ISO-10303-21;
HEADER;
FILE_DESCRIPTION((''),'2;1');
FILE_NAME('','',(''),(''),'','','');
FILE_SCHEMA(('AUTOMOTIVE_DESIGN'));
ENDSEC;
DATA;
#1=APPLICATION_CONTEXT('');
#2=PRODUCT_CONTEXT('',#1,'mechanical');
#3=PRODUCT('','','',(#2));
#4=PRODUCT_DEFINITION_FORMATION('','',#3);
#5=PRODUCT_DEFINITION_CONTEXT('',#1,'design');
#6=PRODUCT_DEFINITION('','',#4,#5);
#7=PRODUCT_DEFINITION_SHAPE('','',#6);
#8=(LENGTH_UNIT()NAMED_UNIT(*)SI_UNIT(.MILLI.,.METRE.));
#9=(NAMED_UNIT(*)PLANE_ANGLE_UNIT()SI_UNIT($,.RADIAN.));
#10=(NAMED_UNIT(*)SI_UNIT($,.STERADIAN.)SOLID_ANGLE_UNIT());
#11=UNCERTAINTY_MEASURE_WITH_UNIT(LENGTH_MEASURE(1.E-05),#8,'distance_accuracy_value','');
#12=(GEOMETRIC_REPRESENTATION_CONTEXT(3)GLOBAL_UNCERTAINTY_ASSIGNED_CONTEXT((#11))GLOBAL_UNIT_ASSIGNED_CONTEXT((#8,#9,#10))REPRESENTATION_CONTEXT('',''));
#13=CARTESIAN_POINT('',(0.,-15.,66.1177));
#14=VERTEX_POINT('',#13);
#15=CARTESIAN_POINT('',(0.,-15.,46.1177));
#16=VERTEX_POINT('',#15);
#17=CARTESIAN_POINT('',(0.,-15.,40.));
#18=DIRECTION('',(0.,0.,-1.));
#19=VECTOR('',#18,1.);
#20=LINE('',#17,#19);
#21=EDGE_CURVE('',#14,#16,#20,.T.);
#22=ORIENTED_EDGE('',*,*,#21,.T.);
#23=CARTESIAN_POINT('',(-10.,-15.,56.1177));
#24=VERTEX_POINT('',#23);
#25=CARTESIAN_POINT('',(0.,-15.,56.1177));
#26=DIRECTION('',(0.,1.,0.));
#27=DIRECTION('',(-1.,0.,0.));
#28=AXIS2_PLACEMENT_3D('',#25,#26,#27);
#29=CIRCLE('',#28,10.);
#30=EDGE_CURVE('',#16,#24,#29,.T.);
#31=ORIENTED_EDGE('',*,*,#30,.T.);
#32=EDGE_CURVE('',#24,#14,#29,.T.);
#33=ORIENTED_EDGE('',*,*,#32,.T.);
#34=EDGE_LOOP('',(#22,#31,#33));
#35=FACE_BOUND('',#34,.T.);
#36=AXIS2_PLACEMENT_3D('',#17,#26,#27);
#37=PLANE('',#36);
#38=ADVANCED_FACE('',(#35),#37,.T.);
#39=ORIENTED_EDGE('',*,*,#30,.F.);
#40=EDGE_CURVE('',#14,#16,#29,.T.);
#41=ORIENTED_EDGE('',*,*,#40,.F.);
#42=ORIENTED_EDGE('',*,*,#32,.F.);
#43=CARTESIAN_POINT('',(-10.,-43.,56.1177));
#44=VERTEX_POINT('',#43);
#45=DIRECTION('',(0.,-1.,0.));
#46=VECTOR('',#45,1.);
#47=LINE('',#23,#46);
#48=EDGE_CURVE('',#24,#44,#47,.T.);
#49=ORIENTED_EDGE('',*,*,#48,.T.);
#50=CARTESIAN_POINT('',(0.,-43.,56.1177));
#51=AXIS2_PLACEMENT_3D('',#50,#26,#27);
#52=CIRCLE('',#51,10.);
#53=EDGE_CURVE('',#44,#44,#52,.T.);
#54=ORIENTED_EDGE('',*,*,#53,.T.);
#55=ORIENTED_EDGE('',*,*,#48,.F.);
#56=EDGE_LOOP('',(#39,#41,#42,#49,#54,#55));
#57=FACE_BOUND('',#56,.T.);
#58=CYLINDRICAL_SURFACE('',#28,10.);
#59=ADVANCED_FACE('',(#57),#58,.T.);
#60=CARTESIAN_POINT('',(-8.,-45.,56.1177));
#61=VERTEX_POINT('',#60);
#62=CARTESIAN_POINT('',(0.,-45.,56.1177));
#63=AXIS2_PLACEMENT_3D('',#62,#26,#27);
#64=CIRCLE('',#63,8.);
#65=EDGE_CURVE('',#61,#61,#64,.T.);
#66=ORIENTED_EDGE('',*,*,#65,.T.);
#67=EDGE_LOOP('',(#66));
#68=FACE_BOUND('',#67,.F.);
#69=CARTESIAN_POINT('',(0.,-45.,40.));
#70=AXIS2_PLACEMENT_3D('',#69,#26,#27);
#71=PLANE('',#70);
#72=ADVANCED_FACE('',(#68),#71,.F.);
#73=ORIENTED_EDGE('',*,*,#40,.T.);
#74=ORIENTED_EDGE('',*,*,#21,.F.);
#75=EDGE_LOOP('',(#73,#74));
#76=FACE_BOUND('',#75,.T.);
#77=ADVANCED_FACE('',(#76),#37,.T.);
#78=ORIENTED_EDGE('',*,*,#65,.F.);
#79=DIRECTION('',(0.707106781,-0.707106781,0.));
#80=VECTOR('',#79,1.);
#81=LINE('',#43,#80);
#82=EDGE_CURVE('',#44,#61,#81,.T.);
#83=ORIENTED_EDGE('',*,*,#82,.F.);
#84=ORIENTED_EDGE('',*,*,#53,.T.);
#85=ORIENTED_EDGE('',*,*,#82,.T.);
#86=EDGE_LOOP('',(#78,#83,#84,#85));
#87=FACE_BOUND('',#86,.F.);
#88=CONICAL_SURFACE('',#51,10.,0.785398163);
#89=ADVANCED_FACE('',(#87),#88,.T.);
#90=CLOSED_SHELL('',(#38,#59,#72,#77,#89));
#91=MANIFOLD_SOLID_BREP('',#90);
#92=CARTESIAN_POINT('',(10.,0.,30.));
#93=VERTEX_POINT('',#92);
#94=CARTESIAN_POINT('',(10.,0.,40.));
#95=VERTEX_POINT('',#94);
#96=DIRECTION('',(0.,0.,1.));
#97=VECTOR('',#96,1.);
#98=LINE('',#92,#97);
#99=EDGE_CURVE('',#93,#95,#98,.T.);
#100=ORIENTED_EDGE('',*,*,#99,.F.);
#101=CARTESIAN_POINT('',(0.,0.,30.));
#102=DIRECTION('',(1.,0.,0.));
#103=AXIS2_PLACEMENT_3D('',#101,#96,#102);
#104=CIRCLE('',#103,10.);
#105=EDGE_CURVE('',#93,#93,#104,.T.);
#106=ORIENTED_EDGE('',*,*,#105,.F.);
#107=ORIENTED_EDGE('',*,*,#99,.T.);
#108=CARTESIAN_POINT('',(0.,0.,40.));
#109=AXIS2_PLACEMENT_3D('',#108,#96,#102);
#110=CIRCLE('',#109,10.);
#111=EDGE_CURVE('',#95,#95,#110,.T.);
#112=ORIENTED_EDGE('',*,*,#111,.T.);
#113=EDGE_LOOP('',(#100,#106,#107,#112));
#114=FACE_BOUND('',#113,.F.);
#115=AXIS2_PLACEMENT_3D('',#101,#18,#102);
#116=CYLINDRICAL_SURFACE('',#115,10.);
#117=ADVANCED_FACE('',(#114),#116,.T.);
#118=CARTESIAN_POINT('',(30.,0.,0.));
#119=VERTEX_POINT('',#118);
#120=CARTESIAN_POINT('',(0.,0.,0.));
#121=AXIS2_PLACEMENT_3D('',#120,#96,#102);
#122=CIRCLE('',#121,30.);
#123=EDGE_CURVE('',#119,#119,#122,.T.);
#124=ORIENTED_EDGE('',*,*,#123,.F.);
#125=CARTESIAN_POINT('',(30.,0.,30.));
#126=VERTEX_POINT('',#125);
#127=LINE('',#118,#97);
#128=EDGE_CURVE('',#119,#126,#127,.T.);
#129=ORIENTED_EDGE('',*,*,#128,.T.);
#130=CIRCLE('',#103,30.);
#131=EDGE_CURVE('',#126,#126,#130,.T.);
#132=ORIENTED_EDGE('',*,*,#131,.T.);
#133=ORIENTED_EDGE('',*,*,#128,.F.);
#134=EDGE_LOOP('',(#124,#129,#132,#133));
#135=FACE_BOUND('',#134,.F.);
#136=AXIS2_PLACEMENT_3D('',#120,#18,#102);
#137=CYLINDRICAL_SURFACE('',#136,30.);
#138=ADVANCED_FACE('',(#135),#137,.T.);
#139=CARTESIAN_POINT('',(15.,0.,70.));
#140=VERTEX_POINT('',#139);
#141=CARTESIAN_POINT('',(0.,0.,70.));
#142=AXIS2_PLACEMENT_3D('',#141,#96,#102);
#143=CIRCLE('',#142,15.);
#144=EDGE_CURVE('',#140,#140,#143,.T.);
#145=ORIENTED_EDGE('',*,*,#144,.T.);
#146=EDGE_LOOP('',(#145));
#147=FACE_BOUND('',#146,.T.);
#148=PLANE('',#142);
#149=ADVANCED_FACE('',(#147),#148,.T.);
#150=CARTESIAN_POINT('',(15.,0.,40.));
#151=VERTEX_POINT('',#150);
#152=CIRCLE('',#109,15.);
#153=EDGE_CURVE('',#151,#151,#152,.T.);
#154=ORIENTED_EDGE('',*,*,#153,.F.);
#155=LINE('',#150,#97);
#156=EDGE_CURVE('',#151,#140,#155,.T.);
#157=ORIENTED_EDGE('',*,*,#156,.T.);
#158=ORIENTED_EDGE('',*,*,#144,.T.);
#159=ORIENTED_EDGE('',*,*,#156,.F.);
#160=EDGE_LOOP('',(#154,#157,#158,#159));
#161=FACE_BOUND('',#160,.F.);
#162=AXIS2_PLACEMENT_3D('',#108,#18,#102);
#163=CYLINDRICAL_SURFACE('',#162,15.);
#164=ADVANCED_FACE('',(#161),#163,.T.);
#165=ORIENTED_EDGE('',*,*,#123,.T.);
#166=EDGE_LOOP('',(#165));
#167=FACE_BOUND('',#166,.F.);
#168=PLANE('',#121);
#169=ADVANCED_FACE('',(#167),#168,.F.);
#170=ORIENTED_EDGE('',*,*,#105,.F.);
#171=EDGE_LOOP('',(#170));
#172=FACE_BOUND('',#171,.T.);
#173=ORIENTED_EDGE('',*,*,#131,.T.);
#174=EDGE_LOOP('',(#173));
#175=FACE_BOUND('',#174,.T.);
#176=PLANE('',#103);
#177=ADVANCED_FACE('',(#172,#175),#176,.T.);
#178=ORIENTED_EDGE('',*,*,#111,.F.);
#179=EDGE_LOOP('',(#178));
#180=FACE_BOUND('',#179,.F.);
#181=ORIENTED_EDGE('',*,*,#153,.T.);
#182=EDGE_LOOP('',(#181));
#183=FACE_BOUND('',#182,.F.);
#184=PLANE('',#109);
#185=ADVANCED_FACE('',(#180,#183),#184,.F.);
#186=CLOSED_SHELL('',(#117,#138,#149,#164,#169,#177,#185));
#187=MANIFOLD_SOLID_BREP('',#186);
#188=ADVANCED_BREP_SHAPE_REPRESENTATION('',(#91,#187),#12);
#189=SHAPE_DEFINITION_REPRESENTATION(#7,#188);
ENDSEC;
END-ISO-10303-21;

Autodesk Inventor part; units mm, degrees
ref_plane "YZ Plane" through (0, 0, 0) normal (1, 0, 0) x (0, 1, 0)
ref_plane "XZ Plane" through (0, 0, 0) normal (0, 1, 0) x (-1, 0, 0)
ref_plane "XY Plane" through (0, 0, 0) normal (0, 0, 1) x (1, 0, 0)
sketch "Sketch1" plane through (0, 0, 0) normal (0, 0, 1) x (1, 0, 0)
  circle A0 centre (0, 0) radius 30
  dimension "d0" = 60
extrude "Extrusion1" add sketch "Sketch1" along normal blind 30
sketch "Sketch2" plane through (0, 0, 30) normal (0, 0, 1) x (1, 0, 0)
  circle A0 centre (0, 0) radius 10
  dimension "d3" = 20
extrude "Extrusion2" add sketch "Sketch2" along normal blind 10
sketch "Sketch3" plane through (0, 0, 40) normal (0, 0, 1) x (1, 0, 0)
  circle A0 centre (0, 0) radius 15
  dimension "d6" = 30
extrude "Extrusion3" add sketch "Sketch3" along normal blind 30
ref_plane "Work Plane3" through (0, -15, 40) normal (0, 1, 0) x (-1, 0, 0)
sketch "Sketch4" plane through (0, -15, 40) normal (0, 1, 0) x (-1, 0, 0)
  circle A0 centre (0, 16.1177) radius 10
  point P0 (0, -40)
  dimension "d9" = 20
extrude "Extrusion4" add sketch "Sketch4" against normal blind 30
chamfer "Chamfer1" distance 2 angle 45 1 edges at (10, -45, 56.1177)
properties part number "new robo wheel"
